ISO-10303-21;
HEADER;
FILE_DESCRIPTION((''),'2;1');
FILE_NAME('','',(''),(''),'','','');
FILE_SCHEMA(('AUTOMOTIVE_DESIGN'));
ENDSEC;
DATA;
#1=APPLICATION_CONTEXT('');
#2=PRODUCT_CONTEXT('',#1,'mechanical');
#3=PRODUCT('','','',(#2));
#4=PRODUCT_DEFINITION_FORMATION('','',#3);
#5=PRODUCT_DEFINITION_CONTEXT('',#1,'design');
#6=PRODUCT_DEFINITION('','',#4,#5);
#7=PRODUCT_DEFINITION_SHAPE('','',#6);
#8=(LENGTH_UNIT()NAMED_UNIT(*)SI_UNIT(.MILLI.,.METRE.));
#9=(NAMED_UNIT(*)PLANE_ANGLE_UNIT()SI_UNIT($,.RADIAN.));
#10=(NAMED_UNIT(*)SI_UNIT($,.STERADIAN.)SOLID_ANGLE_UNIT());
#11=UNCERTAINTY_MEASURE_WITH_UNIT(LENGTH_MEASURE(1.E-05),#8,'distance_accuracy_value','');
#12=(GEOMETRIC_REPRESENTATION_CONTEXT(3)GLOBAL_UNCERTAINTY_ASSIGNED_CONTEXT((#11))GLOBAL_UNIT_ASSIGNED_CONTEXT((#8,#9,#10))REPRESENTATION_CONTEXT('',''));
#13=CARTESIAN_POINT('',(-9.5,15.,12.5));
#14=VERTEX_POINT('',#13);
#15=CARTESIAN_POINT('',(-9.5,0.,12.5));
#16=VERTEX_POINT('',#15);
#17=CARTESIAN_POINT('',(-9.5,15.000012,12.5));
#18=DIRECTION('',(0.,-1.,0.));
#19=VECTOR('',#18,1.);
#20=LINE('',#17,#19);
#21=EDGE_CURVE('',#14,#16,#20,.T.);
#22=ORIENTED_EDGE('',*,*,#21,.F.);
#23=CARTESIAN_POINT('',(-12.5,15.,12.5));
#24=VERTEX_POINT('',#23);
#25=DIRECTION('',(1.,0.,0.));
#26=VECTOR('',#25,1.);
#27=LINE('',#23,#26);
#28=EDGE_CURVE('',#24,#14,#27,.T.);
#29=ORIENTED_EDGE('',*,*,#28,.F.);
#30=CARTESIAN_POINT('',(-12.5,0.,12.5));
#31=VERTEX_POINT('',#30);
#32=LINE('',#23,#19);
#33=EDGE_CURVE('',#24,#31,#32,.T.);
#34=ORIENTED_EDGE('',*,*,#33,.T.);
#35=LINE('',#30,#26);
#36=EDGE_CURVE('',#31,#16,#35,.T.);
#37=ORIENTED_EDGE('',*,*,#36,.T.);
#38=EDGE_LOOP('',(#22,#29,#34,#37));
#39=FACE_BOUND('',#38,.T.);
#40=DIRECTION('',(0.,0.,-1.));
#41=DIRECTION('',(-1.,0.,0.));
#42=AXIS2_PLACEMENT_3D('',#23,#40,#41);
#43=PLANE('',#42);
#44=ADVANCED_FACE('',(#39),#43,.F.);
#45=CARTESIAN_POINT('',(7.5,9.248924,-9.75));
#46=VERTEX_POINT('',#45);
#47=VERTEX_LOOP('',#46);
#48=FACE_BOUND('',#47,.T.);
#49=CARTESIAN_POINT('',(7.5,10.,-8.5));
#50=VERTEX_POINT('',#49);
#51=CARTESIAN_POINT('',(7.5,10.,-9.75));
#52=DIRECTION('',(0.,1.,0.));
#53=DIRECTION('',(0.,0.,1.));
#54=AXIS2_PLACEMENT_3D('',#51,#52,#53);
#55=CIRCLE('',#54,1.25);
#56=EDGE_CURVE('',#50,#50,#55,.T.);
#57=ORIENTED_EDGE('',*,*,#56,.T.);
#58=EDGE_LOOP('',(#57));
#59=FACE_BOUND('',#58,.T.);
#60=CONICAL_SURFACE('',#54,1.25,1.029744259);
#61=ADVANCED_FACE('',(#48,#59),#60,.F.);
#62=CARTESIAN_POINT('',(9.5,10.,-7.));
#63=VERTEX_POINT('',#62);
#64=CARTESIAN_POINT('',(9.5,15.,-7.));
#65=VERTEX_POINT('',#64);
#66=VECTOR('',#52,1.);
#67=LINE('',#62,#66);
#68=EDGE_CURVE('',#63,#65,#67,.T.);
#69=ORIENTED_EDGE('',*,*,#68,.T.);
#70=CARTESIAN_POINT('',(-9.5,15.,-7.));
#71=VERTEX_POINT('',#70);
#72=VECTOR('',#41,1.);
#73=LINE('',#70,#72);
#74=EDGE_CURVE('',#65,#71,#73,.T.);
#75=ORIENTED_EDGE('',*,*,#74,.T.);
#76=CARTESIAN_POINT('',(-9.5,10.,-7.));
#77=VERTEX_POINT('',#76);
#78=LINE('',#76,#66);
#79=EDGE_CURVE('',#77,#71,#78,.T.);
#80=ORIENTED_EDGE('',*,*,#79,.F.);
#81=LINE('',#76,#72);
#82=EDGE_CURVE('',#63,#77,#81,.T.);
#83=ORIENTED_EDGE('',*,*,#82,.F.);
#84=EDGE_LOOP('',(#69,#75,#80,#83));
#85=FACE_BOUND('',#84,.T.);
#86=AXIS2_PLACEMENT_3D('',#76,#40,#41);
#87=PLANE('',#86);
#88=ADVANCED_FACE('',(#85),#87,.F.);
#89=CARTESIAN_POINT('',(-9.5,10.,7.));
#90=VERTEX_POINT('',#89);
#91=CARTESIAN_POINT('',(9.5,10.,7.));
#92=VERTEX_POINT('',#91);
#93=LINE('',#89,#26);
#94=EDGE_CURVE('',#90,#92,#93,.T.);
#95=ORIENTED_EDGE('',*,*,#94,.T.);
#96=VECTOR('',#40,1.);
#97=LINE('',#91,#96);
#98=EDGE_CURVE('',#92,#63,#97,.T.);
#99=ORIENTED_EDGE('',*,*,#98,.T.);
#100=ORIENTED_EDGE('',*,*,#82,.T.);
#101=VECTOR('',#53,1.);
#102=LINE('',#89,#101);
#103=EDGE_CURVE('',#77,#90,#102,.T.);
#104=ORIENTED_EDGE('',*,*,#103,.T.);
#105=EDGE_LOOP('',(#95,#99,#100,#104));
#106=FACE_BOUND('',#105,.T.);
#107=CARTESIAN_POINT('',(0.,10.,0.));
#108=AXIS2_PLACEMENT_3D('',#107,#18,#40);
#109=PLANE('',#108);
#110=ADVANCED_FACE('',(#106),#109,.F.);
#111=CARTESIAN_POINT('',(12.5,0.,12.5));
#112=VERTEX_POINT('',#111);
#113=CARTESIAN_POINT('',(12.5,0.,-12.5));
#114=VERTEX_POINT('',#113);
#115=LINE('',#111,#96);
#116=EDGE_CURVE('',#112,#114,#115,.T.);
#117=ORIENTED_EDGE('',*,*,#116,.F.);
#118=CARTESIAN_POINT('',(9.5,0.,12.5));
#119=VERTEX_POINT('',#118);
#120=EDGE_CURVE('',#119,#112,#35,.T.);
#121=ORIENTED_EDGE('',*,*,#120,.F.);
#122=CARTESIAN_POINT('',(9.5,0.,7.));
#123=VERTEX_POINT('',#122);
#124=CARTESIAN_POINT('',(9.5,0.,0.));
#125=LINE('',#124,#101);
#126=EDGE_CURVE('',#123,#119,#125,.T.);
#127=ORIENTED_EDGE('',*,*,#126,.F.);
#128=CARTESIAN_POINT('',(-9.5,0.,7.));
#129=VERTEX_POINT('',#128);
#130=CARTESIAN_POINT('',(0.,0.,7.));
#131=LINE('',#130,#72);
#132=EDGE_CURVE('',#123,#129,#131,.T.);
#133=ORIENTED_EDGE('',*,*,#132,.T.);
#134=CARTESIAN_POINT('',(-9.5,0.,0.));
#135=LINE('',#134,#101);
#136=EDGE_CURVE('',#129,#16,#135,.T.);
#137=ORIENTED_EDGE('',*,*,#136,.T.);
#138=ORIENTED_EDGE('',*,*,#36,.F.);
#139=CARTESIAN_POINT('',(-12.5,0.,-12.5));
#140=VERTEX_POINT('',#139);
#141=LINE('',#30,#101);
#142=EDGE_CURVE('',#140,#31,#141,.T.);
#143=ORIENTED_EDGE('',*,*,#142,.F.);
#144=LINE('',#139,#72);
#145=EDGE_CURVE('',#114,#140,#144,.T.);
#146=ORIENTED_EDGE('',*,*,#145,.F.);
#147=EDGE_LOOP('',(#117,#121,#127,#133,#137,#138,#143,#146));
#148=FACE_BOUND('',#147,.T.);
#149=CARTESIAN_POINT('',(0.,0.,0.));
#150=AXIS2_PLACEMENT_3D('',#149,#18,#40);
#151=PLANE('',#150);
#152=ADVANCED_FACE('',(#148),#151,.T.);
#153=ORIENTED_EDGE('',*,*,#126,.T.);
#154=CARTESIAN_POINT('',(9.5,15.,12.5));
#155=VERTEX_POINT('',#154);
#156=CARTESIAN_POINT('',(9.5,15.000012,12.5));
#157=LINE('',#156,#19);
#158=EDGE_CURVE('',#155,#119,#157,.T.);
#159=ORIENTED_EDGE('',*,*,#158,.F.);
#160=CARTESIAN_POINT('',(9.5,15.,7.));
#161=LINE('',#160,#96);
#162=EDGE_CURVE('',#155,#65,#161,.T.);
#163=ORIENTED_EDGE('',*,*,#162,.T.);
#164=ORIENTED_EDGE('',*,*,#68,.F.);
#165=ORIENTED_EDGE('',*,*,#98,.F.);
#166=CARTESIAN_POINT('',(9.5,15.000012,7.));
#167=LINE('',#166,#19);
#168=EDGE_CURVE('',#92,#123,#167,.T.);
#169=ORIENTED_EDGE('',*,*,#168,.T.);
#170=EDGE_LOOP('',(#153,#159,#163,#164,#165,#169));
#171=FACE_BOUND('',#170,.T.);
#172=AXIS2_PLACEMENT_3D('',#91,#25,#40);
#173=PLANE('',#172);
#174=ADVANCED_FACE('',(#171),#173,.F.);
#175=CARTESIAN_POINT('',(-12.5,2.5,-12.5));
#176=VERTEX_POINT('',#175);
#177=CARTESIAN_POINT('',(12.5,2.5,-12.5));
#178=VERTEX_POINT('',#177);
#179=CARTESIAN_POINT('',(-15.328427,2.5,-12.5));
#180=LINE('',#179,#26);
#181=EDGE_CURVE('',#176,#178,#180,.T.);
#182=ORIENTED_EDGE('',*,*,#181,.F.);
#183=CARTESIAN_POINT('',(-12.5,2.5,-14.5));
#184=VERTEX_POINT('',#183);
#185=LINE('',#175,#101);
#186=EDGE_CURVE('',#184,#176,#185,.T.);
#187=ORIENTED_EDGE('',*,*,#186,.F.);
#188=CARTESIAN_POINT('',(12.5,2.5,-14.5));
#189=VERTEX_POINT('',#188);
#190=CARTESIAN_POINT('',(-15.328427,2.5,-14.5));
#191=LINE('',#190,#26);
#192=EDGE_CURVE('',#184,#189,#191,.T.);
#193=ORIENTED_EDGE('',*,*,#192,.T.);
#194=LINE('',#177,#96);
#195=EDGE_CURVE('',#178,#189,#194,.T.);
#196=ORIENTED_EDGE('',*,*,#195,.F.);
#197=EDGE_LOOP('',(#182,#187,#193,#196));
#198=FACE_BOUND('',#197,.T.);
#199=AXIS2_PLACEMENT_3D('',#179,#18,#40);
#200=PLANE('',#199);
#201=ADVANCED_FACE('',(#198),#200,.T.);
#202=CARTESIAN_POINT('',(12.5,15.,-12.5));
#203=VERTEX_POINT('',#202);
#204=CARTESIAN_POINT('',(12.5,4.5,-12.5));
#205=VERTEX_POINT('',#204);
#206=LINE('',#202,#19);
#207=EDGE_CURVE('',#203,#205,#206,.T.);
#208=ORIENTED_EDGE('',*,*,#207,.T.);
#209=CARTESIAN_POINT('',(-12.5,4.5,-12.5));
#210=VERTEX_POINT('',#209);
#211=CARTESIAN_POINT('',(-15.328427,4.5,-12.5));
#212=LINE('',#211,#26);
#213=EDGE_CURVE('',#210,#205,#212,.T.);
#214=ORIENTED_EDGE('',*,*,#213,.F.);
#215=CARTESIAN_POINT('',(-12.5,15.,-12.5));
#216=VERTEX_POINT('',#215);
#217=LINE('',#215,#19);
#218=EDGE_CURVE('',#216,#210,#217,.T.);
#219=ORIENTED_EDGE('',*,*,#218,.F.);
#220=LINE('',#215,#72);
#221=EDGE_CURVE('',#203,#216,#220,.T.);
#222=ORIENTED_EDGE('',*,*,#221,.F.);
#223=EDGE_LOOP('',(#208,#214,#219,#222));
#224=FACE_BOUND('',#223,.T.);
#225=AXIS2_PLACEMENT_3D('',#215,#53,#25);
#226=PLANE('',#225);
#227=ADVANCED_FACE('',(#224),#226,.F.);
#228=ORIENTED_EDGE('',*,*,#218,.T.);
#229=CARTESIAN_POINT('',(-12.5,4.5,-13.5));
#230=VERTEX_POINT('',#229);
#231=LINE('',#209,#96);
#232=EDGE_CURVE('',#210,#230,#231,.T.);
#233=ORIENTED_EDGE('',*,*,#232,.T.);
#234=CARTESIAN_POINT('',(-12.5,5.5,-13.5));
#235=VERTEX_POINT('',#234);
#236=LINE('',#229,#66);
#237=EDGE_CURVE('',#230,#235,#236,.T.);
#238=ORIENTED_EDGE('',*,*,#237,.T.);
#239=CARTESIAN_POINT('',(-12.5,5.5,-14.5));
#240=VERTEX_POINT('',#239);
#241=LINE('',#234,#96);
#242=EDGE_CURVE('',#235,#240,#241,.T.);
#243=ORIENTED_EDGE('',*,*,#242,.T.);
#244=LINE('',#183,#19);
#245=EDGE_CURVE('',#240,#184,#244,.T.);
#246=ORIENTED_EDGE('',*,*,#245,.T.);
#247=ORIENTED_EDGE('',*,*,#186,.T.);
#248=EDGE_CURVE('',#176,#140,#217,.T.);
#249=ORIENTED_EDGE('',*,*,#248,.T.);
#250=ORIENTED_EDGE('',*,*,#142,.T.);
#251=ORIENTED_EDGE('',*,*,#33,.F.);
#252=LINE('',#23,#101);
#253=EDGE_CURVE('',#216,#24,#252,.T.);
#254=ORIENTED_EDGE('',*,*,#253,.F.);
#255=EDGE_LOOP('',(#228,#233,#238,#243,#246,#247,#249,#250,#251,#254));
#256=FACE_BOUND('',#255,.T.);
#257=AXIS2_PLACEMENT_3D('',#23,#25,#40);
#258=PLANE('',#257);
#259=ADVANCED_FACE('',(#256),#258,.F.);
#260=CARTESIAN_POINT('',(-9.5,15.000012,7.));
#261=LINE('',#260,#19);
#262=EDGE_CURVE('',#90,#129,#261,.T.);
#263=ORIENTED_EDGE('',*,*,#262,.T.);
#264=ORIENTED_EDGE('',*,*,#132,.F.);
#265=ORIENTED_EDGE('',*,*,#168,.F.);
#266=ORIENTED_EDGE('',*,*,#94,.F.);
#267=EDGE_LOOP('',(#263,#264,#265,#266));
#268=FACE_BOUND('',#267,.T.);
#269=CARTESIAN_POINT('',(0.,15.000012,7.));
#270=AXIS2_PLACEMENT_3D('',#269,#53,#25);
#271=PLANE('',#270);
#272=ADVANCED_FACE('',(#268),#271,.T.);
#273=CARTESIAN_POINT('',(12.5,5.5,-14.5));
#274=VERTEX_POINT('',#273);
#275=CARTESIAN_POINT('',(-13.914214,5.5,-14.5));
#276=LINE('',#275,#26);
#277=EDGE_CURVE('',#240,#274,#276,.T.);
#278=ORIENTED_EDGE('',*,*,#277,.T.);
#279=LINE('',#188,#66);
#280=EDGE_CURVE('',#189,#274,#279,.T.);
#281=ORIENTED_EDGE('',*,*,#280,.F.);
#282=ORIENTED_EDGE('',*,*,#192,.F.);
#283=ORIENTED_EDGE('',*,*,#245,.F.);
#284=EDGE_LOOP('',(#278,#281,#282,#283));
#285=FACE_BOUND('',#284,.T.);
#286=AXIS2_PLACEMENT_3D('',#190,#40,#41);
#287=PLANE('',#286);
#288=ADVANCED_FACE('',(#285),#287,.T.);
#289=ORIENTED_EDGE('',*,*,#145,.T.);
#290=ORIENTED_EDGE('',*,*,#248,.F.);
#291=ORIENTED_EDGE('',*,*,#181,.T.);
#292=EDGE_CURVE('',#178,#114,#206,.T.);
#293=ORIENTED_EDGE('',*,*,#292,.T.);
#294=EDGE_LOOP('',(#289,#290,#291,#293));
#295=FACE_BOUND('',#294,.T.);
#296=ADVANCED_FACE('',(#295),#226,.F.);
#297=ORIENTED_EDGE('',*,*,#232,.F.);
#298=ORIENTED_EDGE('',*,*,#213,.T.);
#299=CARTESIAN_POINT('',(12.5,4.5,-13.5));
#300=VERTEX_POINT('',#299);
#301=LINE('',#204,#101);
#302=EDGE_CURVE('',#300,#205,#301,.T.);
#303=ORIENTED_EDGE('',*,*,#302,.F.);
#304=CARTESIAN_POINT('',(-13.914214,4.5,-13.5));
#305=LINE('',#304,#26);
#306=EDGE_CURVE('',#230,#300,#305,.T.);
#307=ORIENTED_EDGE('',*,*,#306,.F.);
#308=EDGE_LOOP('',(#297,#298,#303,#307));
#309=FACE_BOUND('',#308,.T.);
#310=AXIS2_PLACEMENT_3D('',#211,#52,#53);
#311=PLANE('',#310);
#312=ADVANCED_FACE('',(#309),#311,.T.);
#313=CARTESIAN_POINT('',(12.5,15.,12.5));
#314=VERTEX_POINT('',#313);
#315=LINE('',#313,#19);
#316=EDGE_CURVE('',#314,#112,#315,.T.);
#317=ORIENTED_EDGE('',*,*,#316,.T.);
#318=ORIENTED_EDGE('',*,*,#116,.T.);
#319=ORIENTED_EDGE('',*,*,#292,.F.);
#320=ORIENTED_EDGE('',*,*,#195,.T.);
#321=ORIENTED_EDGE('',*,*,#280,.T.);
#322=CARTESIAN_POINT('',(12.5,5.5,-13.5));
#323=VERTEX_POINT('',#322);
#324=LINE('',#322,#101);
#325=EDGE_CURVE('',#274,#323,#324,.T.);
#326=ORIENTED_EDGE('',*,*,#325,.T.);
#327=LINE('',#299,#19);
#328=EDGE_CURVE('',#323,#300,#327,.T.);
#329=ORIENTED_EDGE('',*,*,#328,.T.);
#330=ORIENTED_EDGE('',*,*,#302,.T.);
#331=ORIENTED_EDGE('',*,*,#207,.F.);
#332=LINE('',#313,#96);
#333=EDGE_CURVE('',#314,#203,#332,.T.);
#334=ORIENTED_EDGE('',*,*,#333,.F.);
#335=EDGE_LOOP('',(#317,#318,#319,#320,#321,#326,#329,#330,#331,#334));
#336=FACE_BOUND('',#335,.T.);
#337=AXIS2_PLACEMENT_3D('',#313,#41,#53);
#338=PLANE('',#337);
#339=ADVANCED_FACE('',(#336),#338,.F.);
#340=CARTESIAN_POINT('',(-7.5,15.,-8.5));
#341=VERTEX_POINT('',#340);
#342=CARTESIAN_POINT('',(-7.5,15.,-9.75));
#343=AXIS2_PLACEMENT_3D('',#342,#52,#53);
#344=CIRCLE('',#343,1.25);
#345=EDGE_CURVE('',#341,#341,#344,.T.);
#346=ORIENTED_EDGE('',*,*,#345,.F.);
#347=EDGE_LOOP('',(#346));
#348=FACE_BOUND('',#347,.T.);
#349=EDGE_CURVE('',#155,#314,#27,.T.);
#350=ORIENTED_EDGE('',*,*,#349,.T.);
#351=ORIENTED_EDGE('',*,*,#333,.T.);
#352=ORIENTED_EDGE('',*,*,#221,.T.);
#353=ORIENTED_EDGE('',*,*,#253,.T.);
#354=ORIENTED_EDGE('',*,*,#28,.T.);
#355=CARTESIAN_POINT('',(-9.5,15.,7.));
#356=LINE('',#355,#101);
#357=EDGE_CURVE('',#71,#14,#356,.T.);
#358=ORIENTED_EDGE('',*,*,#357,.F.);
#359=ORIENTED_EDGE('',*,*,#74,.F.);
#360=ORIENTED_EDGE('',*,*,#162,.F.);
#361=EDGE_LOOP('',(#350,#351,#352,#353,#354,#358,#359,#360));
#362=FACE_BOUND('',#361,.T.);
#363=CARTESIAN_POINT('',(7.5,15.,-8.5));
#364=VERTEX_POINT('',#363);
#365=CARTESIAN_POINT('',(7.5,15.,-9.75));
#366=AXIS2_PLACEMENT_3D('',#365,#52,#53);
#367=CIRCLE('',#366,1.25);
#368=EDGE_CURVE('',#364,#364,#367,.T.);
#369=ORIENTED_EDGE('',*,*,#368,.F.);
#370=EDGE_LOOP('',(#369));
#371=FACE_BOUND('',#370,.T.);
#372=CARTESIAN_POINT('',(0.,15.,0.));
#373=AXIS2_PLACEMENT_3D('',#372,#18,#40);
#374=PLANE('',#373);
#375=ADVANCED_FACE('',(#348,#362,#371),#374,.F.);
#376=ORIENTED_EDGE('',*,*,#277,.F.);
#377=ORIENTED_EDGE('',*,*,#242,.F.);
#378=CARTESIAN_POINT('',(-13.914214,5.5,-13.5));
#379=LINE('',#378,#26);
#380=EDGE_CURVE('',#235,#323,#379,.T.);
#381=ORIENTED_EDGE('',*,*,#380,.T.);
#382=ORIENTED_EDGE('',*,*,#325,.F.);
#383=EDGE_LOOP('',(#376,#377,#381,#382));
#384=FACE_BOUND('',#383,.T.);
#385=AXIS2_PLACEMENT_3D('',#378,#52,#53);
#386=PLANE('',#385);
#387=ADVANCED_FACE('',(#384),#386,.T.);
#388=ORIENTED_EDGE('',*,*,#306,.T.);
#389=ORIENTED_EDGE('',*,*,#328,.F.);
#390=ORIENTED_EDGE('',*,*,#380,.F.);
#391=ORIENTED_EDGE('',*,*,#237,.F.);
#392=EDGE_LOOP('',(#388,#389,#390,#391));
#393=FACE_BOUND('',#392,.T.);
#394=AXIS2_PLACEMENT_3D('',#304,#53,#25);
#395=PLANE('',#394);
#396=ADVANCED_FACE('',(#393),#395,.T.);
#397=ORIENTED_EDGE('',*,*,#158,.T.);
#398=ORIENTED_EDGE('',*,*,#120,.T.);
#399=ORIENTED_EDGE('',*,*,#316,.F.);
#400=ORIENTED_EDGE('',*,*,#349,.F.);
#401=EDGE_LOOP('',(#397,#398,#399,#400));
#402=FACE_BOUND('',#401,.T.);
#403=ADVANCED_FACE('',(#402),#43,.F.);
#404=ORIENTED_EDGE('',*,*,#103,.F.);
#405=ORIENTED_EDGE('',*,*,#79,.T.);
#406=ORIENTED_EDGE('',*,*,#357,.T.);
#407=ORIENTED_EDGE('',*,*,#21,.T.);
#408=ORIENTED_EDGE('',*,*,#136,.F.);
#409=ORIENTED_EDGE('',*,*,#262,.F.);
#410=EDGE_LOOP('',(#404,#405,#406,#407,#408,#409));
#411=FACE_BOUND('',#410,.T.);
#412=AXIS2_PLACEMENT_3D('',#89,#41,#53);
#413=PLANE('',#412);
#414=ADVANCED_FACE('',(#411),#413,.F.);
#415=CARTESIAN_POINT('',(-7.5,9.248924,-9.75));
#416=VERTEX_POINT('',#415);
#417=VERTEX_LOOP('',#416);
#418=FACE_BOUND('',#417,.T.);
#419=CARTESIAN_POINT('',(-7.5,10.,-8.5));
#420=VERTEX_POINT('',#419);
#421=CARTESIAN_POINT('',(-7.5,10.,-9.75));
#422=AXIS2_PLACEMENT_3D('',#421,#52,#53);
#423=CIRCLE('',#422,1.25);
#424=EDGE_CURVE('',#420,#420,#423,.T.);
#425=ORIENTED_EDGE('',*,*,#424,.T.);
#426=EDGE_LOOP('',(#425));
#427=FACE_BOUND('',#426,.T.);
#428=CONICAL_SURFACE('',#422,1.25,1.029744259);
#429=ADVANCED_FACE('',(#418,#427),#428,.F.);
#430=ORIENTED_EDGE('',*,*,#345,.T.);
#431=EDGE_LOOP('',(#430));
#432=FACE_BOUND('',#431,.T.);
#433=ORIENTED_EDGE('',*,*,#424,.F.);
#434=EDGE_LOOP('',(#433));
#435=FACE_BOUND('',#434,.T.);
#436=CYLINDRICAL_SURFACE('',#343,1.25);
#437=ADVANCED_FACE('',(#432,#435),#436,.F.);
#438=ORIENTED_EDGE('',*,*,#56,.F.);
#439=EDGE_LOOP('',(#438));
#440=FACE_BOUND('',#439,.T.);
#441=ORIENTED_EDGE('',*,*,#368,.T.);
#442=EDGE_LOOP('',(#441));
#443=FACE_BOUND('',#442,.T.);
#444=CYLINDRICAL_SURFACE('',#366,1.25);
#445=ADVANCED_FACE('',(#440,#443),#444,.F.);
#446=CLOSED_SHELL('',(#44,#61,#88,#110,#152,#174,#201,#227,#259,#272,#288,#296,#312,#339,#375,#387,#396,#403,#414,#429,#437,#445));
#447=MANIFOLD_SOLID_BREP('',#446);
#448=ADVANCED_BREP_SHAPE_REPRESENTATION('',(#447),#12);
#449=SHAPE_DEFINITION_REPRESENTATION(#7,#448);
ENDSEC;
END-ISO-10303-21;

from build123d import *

# Parameters (mm, degrees)
SKETCH1_W                       = 25
SKETCH1_H                       = 25
BOSS_EXTRUDE1_DEPTH             = 15
SKETCH2_W                       = 19
SKETCH2_H                       = 14
CUT_EXTRUDE1_DEPTH              = 5
CUT_EXTRUDE2_DEPTH              = 24.184046239
CUT_EXTRUDE2_DEPTH_BACK         = 15
SKETCH3_W                       = 19
SKETCH3_H                       = 5.5
TAP_DRILL_FOR_M3X0_5_TAP1_D     = 2.5
TAP_DRILL_FOR_M3X0_5_TAP1_DEPTH = 5
TAP_DRILL_FOR_M3X0_5_TAP1_TIP   = 0.751075774
SKETCH6_W                       = 2
SKETCH6_H                       = 2
BOSS_EXTRUDE2_DEPTH             = 25
SKETCH7_W                       = 1
SKETCH7_H                       = 1
BOSS_EXTRUDE3_DEPTH             = 25


with BuildPart() as part:
    # Sketch1 → Boss-Extrude1 (new body)
    with BuildSketch(Plane(origin=(0, 0, 0), x_dir=(1, 0, 0), z_dir=(0, 1, 0))):
        Rectangle(SKETCH1_W, SKETCH1_H)
    extrude(amount=BOSS_EXTRUDE1_DEPTH)

    # Sketch2 → Cut-Extrude1 (cut)
    with BuildSketch(Plane(origin=(0, 15, 0), x_dir=(1, 0, 0), z_dir=(0, 1, 0))):
        Rectangle(SKETCH2_W, SKETCH2_H)
    extrude(amount=-CUT_EXTRUDE1_DEPTH, mode=Mode.SUBTRACT)

    # Sketch3 → Cut-Extrude2 (cut, two sides: drawn at the far end of the back side and taken through both)
    with BuildSketch(Plane(origin=(0, 15, 0), x_dir=(1, 0, 0), z_dir=(0, 1, 0)).offset(-CUT_EXTRUDE2_DEPTH_BACK)):
        with Locations((0, -9.75)):
            Rectangle(SKETCH3_W, SKETCH3_H)
    extrude(amount=CUT_EXTRUDE2_DEPTH + CUT_EXTRUDE2_DEPTH_BACK, mode=Mode.SUBTRACT)

    # Tap Drill for M3x0.5 Tap1
    with Locations(Plane(origin=(-7.5, 15, -9.75), x_dir=(0, 0, 1), z_dir=(0, 1, 0))):
        with Locations((0, 0), (0, 15)):
            Hole(TAP_DRILL_FOR_M3X0_5_TAP1_D / 2, depth=TAP_DRILL_FOR_M3X0_5_TAP1_DEPTH)
            with Locations((0, 0, -(TAP_DRILL_FOR_M3X0_5_TAP1_DEPTH + TAP_DRILL_FOR_M3X0_5_TAP1_TIP / 2))):  # 118° drill point
                Cone(0, TAP_DRILL_FOR_M3X0_5_TAP1_D / 2, TAP_DRILL_FOR_M3X0_5_TAP1_TIP, mode=Mode.SUBTRACT)

    # Sketch6 → Boss-Extrude2 (add)
    with BuildSketch(Plane(origin=(12.5, 0, 0), x_dir=(0, 0, -1), z_dir=(1, 0, 0))):
        with Locations((13.5, 3.5)):
            Rectangle(SKETCH6_W, SKETCH6_H)
    extrude(amount=-BOSS_EXTRUDE2_DEPTH)

    # Sketch7 → Boss-Extrude3 (add)
    with BuildSketch(Plane(origin=(12.5, 0, 0), x_dir=(0, 0, -1), z_dir=(1, 0, 0))):
        with Locations((14, 5)):
            Rectangle(SKETCH7_W, SKETCH7_H)
    extrude(amount=-BOSS_EXTRUDE3_DEPTH)


solid = part.part
